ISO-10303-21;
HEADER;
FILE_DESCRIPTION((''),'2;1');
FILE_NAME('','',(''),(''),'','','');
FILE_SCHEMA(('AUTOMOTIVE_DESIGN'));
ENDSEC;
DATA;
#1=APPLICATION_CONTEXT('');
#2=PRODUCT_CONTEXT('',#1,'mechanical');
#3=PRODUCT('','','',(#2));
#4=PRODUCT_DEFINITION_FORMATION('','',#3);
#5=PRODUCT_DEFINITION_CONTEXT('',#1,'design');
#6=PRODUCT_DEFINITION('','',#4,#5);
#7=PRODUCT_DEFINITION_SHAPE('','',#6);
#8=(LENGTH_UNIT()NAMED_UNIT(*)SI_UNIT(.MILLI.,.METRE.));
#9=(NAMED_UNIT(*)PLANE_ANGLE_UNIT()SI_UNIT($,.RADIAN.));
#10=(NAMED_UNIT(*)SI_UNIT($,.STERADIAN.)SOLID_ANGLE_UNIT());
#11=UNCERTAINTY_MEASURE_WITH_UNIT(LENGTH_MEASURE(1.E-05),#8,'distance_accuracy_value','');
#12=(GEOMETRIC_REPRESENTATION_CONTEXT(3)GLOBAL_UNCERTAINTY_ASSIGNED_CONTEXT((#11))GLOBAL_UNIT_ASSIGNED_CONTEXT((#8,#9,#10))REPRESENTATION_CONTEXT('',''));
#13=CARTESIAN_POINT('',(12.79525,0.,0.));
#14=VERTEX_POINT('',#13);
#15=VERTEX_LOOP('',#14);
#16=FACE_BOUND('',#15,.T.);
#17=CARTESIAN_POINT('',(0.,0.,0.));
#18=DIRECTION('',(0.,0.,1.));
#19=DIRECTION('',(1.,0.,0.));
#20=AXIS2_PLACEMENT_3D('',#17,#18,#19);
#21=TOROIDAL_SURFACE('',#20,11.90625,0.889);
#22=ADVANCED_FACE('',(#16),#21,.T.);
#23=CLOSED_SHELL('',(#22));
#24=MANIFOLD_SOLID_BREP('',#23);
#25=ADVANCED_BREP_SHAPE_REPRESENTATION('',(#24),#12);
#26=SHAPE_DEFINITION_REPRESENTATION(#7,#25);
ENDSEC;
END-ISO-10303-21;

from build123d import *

# Parameters (mm, degrees)
SKETCH1_R = 0.889


with BuildPart() as part:
    # Sketch1 → Revolve1 (revolve)
    with BuildSketch(Plane(origin=(0, 0, 0), x_dir=(0, 0, -1), z_dir=(1, 0, 0)), mode=Mode.PRIVATE) as revolve1_sk:
        with Locations((0, 11.90625)):
            Circle(SKETCH1_R)
    revolve(revolve1_sk.sketch.rotate(Axis((0, 0, 151.155192532), (0, 0, -1)), 90), axis=Axis((0, 0, 151.155192532), (0, 0, -1)))


solid = part.part
